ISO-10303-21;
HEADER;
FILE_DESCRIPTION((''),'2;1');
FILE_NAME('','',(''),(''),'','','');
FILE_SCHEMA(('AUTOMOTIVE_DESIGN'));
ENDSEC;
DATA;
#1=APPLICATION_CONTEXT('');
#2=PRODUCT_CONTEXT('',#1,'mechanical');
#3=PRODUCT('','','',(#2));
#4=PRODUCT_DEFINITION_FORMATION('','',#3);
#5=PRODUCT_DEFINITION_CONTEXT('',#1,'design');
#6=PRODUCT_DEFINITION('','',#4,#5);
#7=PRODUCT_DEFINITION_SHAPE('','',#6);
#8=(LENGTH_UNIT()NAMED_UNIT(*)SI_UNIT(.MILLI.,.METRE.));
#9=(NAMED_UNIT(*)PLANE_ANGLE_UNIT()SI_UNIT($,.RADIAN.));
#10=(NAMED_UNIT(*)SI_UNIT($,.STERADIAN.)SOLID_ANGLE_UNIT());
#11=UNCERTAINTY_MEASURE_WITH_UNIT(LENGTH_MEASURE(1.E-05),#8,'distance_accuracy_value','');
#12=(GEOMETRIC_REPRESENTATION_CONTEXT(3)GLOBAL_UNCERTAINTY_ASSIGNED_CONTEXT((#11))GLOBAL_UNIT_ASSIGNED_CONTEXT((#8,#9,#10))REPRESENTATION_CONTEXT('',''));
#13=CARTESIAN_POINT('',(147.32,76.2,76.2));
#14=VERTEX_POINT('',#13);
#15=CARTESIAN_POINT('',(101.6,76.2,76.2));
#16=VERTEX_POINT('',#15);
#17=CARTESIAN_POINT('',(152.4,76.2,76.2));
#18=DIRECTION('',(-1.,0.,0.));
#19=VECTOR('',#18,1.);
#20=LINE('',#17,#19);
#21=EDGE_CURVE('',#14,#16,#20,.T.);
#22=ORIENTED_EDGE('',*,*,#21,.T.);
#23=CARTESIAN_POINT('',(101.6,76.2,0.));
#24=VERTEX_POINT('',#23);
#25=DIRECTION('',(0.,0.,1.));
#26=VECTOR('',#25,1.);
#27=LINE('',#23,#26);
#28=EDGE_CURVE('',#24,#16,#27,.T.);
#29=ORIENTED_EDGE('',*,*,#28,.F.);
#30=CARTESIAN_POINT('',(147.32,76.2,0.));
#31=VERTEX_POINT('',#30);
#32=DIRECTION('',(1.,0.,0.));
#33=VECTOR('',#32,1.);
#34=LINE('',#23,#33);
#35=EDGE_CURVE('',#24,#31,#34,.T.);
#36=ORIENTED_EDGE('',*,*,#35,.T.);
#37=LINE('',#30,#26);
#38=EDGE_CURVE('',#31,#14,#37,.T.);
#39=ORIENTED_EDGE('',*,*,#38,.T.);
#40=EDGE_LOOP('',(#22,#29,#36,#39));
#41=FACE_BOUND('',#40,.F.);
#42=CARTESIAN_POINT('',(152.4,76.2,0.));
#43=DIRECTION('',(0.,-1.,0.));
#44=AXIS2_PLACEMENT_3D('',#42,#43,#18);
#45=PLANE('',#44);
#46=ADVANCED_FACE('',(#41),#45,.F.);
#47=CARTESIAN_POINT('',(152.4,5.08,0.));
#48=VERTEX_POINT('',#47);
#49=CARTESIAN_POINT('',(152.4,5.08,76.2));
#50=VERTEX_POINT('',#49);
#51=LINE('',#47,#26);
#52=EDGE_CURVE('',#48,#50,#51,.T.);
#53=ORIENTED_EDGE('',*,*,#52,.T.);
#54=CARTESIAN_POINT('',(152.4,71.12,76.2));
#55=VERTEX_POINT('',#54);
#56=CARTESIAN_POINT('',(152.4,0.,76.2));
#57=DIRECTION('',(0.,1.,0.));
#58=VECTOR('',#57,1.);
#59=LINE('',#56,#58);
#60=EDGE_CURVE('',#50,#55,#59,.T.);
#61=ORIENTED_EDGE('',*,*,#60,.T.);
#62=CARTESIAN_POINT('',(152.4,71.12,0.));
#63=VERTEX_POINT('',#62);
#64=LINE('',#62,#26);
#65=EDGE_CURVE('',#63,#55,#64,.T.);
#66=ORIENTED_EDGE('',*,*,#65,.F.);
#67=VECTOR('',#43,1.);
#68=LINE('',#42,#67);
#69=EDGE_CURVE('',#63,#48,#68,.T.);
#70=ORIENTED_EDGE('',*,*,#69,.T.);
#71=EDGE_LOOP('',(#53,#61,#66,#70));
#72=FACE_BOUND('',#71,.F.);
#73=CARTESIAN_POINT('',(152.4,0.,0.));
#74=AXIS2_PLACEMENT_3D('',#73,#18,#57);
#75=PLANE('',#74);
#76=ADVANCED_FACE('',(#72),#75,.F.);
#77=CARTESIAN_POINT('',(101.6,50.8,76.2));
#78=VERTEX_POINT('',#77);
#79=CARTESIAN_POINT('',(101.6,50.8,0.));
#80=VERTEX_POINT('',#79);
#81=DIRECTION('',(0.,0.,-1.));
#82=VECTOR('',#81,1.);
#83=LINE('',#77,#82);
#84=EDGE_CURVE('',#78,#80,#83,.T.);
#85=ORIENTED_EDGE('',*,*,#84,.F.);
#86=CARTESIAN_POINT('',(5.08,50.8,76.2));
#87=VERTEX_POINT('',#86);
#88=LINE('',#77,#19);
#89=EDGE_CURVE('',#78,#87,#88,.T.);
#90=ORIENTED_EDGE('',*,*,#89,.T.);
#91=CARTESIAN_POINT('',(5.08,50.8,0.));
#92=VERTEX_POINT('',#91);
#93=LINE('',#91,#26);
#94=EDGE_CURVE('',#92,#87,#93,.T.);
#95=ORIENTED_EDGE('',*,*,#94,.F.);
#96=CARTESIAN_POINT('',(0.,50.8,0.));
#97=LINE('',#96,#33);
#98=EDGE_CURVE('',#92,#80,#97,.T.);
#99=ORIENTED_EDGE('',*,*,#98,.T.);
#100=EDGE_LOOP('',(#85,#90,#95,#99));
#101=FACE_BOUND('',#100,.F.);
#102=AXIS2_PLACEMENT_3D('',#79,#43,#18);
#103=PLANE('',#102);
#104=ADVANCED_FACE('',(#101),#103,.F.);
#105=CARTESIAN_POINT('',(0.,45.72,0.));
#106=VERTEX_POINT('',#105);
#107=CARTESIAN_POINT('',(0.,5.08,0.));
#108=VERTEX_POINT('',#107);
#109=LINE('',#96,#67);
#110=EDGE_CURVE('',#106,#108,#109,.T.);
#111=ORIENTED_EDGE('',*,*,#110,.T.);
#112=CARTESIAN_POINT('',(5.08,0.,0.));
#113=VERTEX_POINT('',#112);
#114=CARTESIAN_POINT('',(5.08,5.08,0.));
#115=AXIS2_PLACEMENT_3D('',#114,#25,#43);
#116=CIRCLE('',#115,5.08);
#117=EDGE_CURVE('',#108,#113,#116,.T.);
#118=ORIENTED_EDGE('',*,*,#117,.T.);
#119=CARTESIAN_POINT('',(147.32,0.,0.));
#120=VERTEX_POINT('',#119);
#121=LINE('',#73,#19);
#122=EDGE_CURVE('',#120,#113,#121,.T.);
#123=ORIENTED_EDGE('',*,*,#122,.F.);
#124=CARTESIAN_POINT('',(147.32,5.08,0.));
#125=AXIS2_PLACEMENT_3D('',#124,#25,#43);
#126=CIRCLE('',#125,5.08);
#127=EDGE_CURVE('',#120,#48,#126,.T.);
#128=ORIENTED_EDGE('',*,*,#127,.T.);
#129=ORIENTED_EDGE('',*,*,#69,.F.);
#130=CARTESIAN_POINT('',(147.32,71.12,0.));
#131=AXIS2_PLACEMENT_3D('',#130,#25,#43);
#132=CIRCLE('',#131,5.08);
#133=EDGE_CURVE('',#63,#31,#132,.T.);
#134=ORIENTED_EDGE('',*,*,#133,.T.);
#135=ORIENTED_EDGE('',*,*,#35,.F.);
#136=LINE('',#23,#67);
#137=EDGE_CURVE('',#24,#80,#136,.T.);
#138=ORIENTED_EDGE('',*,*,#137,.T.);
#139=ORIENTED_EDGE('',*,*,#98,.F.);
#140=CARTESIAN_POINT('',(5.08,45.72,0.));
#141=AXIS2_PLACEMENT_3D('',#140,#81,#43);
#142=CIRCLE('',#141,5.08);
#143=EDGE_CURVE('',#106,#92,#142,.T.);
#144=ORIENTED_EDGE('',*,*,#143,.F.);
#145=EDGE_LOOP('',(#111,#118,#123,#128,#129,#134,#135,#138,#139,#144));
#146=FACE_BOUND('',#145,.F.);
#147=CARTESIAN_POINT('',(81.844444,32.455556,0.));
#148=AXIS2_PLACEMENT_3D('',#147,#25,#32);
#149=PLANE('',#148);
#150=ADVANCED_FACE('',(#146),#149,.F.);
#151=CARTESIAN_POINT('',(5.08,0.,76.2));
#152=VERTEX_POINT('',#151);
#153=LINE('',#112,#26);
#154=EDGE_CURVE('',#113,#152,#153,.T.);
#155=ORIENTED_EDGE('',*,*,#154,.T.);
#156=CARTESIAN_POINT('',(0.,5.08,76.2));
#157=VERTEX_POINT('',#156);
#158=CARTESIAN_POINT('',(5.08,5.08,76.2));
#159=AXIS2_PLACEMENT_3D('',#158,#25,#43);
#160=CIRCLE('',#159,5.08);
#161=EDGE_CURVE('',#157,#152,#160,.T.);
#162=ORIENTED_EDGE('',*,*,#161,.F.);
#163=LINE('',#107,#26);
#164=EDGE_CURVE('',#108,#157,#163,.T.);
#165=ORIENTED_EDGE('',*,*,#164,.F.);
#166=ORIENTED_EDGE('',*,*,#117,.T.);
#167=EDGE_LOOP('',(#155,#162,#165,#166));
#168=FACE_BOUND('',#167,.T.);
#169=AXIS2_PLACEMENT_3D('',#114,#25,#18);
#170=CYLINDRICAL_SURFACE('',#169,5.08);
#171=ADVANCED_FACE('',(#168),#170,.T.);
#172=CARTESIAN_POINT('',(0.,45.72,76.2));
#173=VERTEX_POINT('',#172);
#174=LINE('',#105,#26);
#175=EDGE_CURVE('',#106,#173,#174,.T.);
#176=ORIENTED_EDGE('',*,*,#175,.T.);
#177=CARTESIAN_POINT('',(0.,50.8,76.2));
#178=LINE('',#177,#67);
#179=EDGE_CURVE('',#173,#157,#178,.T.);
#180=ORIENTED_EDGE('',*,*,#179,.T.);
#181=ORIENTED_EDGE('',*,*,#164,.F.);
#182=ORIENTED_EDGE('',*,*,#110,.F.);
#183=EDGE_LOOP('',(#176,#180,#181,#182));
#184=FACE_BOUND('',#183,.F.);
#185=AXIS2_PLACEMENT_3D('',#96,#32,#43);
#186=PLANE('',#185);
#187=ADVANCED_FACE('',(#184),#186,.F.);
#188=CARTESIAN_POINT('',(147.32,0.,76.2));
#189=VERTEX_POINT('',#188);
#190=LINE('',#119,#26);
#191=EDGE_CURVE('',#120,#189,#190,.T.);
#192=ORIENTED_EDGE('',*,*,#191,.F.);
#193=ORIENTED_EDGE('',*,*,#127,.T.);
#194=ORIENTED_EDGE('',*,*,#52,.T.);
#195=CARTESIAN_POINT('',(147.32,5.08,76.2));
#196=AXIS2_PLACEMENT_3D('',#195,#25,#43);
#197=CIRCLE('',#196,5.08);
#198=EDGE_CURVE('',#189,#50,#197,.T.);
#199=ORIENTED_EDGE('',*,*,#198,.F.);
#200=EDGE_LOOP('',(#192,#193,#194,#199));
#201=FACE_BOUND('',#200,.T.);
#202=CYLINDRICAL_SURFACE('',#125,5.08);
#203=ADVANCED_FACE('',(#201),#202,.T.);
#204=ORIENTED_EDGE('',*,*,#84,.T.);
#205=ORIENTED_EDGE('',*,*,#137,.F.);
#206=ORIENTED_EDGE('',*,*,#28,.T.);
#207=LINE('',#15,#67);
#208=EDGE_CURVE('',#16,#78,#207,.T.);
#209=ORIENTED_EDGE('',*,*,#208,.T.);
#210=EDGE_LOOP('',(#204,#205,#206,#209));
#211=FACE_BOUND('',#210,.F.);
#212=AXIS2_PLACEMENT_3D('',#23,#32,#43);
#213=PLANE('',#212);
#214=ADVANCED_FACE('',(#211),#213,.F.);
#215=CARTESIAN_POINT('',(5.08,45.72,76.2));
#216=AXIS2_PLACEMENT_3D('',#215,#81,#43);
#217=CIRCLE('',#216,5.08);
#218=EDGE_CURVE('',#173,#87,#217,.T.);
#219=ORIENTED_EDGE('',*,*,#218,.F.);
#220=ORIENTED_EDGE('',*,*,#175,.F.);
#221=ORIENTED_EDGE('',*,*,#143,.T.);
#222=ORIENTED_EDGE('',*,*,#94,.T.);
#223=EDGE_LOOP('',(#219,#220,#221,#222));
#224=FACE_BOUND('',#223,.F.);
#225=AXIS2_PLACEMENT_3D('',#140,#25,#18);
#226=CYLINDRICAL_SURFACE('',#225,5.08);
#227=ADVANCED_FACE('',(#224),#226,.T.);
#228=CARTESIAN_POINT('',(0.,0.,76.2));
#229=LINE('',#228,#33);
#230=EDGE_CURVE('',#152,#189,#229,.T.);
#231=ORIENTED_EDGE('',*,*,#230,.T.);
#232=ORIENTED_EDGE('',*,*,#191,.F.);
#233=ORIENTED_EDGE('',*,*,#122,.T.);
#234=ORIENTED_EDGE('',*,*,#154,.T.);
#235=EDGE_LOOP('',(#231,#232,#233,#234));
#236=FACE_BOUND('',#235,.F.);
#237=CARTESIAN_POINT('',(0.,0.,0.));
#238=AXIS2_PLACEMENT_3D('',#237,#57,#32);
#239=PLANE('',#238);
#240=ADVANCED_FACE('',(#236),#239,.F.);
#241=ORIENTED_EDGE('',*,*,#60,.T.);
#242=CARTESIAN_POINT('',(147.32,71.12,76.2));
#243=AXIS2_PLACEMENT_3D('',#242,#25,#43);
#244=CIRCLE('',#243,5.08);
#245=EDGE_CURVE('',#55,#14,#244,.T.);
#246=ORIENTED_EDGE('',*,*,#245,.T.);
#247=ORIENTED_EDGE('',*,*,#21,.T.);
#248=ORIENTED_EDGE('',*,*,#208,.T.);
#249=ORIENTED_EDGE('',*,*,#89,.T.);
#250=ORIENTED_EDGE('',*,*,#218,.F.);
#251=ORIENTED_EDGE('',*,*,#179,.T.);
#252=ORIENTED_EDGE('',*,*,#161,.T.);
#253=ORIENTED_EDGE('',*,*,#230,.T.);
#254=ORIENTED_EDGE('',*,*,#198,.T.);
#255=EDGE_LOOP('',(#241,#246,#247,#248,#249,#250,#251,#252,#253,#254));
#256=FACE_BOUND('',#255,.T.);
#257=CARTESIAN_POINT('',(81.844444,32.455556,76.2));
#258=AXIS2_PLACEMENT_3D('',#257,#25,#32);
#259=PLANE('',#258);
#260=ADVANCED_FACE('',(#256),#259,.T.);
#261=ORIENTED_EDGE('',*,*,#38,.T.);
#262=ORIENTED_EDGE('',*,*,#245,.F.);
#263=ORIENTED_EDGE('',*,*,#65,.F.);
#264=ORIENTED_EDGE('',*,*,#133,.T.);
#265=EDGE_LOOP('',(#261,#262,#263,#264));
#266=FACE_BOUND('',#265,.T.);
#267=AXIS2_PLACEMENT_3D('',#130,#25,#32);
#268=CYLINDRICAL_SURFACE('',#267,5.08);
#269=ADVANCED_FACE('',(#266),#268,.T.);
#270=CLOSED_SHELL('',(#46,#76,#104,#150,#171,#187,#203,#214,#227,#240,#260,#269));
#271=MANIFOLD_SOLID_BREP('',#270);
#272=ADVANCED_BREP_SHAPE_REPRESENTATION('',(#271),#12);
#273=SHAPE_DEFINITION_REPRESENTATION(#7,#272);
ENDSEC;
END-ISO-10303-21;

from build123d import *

# Parameters (mm, degrees)
F1_DEPTH = 50.8
F2_R     = 5.08
F3_R     = 5.08
F4_DEPTH = 76.2
F5_R     = 5.08


with BuildPart() as f1:
    # F0 (on Top) → F1 (new body)
    with BuildSketch(Plane.XY):
        Polygon((0, 50.8), (0, 0), (152.4, 0), (152.4, 76.2), (101.6, 76.2), (101.6, 50.8), align=None)
    extrude(amount=F1_DEPTH)

    # F2
    f2_edges = [f1.edges().sort_by_distance(p)[0] for p in [
        (0, 0, 25.4),
        (0, 50.8, 25.4),
        (152.4, 0, 25.4),
    ]]
    fillet(f2_edges, radius=F2_R)

    # F3
    f3_edges = [f1.edges().sort_by_distance(p)[0] for p in [
        (152.4, 76.2, 25.4),
    ]]
    fillet(f3_edges, radius=F3_R)

    # F0 (on Top) → F4 (join)
    with BuildSketch(Plane.XY):
        Polygon((0, 50.8), (0, 0), (152.4, 0), (152.4, 76.2), (101.6, 76.2), (101.6, 50.8), align=None)
    extrude(amount=F4_DEPTH)

    # F5
    f5_edges = [f1.edges().sort_by_distance(p)[0] for p in [
        (152.4, 76.2, 38.1),
        (152.4, 0, 38.1),
        (0, 0, 38.1),
        (0, 50.8, 38.1),
    ]]
    fillet(f5_edges, radius=F5_R)


solid = f1.part
